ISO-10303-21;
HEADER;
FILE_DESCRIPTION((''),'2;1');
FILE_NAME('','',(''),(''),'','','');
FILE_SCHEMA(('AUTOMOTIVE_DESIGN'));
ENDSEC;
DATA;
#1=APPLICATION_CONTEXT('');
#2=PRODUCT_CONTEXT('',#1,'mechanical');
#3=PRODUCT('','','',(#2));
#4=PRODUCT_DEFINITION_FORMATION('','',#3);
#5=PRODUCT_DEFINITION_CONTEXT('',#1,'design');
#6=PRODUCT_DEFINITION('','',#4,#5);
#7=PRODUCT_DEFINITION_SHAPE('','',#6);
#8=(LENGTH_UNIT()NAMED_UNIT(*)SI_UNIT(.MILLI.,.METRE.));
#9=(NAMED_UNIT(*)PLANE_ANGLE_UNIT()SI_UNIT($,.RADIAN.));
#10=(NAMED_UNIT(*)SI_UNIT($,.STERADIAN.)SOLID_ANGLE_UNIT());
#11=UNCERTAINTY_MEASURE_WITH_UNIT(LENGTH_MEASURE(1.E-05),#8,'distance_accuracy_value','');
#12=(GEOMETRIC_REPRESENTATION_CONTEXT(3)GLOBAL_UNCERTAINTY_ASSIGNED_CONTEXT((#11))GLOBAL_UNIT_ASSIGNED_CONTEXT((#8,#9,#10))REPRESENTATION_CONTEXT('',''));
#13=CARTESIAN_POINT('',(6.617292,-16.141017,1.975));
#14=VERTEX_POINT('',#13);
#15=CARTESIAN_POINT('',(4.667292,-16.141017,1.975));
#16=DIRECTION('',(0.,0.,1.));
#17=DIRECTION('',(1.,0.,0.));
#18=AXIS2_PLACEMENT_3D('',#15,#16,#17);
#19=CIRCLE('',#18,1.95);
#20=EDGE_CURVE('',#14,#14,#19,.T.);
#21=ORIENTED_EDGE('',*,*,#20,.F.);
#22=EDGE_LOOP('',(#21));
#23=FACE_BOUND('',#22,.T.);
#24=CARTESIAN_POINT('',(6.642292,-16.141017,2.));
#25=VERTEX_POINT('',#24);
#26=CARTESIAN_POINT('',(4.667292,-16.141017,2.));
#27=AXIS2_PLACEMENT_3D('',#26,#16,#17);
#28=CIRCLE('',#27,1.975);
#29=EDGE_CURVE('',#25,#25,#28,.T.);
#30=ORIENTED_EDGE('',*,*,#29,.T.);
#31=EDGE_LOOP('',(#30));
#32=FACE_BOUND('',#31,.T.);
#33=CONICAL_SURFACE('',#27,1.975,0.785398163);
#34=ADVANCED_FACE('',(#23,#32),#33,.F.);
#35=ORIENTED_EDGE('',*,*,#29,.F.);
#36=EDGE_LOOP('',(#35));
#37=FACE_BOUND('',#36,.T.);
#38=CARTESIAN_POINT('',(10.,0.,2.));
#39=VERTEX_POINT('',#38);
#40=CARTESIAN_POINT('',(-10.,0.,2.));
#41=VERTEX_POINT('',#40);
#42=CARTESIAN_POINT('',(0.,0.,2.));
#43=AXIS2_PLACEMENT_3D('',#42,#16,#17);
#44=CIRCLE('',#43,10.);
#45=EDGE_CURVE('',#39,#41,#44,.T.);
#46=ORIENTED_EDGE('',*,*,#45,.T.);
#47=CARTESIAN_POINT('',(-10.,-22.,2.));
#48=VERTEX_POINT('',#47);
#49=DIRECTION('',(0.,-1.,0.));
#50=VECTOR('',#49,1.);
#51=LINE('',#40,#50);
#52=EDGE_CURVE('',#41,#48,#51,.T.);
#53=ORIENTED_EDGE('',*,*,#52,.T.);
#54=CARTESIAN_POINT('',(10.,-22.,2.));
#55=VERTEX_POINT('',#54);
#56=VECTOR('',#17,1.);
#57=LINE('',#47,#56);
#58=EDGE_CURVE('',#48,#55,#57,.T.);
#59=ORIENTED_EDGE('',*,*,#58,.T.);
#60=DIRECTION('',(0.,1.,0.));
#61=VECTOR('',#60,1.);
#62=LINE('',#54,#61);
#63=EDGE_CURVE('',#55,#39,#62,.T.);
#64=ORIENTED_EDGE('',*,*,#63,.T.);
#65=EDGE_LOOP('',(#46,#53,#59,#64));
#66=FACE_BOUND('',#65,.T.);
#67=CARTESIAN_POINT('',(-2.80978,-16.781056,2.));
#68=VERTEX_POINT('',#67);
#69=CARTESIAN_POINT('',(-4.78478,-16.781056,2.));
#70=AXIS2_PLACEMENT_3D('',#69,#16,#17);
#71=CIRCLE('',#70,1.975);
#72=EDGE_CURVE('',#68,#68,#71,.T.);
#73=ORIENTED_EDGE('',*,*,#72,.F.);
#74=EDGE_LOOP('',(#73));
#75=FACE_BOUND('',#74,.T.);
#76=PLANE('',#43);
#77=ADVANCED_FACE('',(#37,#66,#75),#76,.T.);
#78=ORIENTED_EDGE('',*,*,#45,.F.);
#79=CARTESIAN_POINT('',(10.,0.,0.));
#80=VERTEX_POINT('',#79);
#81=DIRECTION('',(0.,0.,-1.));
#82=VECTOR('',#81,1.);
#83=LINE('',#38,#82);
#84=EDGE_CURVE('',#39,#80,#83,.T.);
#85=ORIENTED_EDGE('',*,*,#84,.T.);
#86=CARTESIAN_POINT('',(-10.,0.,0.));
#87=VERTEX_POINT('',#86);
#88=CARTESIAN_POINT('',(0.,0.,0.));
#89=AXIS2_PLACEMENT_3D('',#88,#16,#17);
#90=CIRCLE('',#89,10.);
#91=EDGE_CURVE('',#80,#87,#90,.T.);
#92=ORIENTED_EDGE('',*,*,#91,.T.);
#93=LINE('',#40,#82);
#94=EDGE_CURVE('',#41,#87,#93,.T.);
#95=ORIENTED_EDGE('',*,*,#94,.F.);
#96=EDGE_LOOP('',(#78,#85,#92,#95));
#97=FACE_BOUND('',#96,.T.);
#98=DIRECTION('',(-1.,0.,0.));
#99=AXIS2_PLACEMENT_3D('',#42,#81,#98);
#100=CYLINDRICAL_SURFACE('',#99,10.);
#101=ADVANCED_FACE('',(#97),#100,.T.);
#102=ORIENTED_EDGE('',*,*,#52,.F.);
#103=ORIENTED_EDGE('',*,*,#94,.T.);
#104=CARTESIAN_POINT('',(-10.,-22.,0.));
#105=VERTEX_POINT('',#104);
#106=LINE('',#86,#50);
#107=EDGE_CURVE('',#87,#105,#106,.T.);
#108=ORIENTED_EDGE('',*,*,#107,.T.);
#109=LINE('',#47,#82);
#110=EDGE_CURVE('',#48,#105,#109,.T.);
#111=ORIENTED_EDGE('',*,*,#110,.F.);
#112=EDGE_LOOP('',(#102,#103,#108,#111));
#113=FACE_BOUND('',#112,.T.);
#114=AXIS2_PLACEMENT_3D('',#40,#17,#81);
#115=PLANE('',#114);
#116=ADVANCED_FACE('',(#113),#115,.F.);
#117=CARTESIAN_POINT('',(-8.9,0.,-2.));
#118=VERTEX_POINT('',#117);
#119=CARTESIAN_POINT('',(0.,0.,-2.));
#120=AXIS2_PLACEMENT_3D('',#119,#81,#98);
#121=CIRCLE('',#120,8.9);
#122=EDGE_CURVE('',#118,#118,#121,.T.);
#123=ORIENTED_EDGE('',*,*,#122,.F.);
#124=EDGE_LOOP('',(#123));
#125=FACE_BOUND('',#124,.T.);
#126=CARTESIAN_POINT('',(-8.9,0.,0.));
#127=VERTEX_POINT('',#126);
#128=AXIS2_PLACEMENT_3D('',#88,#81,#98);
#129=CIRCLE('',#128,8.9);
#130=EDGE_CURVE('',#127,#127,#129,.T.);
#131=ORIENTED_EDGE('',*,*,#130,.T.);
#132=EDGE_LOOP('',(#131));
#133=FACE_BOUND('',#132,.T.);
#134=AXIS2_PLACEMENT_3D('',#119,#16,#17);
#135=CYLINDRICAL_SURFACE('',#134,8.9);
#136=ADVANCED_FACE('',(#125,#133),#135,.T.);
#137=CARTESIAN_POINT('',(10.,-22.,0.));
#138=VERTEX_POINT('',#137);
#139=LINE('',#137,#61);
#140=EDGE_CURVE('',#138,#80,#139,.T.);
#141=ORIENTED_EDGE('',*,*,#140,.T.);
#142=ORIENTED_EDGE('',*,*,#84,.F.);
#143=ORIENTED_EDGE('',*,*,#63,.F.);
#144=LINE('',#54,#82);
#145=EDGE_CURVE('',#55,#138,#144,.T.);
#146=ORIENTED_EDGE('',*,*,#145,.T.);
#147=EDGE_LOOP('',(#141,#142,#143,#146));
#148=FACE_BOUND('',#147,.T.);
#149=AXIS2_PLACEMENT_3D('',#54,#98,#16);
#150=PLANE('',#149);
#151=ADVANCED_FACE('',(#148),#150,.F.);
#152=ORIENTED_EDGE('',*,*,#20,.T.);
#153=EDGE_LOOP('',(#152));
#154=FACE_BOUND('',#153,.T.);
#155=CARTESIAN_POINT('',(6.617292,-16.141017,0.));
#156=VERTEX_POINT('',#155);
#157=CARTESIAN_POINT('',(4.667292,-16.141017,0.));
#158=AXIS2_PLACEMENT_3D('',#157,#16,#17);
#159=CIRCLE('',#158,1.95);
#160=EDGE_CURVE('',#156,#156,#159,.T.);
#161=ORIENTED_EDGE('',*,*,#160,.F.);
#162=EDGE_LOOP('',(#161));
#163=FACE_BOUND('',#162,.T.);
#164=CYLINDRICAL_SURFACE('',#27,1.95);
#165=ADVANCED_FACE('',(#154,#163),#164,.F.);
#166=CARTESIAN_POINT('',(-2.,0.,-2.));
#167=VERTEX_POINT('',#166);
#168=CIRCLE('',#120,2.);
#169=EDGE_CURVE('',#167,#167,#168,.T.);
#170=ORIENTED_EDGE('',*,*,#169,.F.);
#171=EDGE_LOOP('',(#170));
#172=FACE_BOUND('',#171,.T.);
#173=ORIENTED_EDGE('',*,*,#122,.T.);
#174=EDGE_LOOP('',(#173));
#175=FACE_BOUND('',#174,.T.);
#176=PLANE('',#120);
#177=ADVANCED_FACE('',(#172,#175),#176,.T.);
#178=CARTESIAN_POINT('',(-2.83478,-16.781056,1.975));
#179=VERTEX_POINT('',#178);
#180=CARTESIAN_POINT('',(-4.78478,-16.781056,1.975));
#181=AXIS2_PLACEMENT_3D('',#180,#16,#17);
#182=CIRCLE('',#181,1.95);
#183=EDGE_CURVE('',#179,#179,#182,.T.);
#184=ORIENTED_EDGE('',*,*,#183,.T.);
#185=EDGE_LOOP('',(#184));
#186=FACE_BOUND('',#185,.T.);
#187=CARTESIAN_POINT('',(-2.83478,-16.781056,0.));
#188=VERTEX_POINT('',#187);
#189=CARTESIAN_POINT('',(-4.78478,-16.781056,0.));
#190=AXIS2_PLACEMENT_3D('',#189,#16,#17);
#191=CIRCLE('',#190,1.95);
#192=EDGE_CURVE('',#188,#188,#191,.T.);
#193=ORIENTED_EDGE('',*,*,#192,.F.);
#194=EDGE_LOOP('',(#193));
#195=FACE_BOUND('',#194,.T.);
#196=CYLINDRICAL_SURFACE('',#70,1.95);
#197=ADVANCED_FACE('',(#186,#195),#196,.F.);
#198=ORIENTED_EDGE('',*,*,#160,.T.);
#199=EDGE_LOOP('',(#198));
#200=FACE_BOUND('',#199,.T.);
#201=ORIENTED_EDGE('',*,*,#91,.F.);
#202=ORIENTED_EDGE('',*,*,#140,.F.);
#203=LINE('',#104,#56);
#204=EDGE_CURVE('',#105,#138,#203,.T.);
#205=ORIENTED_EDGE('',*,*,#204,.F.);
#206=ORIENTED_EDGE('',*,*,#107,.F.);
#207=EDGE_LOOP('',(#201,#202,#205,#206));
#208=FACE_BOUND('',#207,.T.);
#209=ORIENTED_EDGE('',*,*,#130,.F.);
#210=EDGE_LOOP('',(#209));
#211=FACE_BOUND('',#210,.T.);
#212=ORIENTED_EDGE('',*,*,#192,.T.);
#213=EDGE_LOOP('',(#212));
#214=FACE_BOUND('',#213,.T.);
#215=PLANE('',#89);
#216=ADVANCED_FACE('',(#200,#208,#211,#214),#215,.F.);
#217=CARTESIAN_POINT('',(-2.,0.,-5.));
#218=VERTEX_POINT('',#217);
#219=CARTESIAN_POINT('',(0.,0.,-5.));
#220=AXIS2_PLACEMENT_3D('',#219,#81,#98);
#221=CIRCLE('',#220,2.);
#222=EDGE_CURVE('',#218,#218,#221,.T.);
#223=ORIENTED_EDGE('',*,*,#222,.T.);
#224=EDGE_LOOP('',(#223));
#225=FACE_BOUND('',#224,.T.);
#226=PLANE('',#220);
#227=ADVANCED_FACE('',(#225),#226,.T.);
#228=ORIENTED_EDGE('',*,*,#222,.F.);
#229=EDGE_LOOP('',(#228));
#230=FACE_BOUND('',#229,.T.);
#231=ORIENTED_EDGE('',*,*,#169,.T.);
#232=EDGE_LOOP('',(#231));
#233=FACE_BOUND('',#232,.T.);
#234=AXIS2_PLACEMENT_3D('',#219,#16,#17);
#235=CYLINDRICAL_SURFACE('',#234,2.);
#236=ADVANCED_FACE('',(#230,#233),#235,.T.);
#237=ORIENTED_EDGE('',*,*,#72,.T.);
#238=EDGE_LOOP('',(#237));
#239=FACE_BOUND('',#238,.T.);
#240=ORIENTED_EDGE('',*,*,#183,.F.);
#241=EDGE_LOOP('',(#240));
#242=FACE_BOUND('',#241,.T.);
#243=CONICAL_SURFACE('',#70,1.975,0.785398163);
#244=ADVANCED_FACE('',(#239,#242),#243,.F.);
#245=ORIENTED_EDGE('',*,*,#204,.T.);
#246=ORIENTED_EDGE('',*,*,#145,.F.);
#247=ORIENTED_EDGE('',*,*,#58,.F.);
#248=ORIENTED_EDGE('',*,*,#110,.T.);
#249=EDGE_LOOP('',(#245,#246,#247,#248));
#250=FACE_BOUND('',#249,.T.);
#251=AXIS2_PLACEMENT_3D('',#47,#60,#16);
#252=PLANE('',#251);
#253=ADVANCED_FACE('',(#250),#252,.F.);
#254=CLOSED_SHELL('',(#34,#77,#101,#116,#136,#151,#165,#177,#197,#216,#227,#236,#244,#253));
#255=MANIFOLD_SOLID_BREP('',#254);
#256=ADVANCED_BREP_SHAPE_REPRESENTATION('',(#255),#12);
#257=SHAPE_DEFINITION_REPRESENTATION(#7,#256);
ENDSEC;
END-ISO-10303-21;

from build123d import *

# Parameters (mm, degrees)
BOSS_EXTRUDE1_DEPTH              = 2
SKETCH2_R                        = 8.9
BOSS_EXTRUDE2_DEPTH              = 2
SKETCH3_R                        = 2
BOSS_EXTRUDE3_DEPTH              = 3
M3_5_CLEARANCE_HOLE1_D           = 3.9
M3_5_CLEARANCE_HOLE1_CSINK_D     = 3.95
M3_5_CLEARANCE_HOLE1_CSINK_ANGLE = 90


with BuildPart() as part:
    # Sketch1 → Boss-Extrude1 (new body)
    with BuildSketch(Plane.XY):
        with BuildLine():
            Line((-10, 0), (-10, -22))
            Line((-10, -22), (10, -22))
            Line((10, -22), (10, 0))
            ThreePointArc((10, 0), (0, 10), (-10, 0))
        make_face()
    extrude(amount=BOSS_EXTRUDE1_DEPTH)

    # Sketch2 → Boss-Extrude2 (add)
    with BuildSketch(Plane(origin=(0, 0, 0), x_dir=(-1, 0, 0), z_dir=(0, 0, -1))):
        Circle(SKETCH2_R)
    extrude(amount=BOSS_EXTRUDE2_DEPTH)

    # Sketch3 → Boss-Extrude3 (add)
    with BuildSketch(Plane(origin=(0, 0, -2), x_dir=(-1, 0, 0), z_dir=(0, 0, -1))):
        Circle(SKETCH3_R)
    extrude(amount=BOSS_EXTRUDE3_DEPTH)

    # M3.5 Clearance Hole1 (through all)
    with Locations(Plane.XY.offset(2)):
        with Locations((-4.784779524, -16.781056018), (4.667291899, -16.141017378)):
            CounterSinkHole(M3_5_CLEARANCE_HOLE1_D / 2, M3_5_CLEARANCE_HOLE1_CSINK_D / 2, counter_sink_angle=M3_5_CLEARANCE_HOLE1_CSINK_ANGLE)


solid = part.part
